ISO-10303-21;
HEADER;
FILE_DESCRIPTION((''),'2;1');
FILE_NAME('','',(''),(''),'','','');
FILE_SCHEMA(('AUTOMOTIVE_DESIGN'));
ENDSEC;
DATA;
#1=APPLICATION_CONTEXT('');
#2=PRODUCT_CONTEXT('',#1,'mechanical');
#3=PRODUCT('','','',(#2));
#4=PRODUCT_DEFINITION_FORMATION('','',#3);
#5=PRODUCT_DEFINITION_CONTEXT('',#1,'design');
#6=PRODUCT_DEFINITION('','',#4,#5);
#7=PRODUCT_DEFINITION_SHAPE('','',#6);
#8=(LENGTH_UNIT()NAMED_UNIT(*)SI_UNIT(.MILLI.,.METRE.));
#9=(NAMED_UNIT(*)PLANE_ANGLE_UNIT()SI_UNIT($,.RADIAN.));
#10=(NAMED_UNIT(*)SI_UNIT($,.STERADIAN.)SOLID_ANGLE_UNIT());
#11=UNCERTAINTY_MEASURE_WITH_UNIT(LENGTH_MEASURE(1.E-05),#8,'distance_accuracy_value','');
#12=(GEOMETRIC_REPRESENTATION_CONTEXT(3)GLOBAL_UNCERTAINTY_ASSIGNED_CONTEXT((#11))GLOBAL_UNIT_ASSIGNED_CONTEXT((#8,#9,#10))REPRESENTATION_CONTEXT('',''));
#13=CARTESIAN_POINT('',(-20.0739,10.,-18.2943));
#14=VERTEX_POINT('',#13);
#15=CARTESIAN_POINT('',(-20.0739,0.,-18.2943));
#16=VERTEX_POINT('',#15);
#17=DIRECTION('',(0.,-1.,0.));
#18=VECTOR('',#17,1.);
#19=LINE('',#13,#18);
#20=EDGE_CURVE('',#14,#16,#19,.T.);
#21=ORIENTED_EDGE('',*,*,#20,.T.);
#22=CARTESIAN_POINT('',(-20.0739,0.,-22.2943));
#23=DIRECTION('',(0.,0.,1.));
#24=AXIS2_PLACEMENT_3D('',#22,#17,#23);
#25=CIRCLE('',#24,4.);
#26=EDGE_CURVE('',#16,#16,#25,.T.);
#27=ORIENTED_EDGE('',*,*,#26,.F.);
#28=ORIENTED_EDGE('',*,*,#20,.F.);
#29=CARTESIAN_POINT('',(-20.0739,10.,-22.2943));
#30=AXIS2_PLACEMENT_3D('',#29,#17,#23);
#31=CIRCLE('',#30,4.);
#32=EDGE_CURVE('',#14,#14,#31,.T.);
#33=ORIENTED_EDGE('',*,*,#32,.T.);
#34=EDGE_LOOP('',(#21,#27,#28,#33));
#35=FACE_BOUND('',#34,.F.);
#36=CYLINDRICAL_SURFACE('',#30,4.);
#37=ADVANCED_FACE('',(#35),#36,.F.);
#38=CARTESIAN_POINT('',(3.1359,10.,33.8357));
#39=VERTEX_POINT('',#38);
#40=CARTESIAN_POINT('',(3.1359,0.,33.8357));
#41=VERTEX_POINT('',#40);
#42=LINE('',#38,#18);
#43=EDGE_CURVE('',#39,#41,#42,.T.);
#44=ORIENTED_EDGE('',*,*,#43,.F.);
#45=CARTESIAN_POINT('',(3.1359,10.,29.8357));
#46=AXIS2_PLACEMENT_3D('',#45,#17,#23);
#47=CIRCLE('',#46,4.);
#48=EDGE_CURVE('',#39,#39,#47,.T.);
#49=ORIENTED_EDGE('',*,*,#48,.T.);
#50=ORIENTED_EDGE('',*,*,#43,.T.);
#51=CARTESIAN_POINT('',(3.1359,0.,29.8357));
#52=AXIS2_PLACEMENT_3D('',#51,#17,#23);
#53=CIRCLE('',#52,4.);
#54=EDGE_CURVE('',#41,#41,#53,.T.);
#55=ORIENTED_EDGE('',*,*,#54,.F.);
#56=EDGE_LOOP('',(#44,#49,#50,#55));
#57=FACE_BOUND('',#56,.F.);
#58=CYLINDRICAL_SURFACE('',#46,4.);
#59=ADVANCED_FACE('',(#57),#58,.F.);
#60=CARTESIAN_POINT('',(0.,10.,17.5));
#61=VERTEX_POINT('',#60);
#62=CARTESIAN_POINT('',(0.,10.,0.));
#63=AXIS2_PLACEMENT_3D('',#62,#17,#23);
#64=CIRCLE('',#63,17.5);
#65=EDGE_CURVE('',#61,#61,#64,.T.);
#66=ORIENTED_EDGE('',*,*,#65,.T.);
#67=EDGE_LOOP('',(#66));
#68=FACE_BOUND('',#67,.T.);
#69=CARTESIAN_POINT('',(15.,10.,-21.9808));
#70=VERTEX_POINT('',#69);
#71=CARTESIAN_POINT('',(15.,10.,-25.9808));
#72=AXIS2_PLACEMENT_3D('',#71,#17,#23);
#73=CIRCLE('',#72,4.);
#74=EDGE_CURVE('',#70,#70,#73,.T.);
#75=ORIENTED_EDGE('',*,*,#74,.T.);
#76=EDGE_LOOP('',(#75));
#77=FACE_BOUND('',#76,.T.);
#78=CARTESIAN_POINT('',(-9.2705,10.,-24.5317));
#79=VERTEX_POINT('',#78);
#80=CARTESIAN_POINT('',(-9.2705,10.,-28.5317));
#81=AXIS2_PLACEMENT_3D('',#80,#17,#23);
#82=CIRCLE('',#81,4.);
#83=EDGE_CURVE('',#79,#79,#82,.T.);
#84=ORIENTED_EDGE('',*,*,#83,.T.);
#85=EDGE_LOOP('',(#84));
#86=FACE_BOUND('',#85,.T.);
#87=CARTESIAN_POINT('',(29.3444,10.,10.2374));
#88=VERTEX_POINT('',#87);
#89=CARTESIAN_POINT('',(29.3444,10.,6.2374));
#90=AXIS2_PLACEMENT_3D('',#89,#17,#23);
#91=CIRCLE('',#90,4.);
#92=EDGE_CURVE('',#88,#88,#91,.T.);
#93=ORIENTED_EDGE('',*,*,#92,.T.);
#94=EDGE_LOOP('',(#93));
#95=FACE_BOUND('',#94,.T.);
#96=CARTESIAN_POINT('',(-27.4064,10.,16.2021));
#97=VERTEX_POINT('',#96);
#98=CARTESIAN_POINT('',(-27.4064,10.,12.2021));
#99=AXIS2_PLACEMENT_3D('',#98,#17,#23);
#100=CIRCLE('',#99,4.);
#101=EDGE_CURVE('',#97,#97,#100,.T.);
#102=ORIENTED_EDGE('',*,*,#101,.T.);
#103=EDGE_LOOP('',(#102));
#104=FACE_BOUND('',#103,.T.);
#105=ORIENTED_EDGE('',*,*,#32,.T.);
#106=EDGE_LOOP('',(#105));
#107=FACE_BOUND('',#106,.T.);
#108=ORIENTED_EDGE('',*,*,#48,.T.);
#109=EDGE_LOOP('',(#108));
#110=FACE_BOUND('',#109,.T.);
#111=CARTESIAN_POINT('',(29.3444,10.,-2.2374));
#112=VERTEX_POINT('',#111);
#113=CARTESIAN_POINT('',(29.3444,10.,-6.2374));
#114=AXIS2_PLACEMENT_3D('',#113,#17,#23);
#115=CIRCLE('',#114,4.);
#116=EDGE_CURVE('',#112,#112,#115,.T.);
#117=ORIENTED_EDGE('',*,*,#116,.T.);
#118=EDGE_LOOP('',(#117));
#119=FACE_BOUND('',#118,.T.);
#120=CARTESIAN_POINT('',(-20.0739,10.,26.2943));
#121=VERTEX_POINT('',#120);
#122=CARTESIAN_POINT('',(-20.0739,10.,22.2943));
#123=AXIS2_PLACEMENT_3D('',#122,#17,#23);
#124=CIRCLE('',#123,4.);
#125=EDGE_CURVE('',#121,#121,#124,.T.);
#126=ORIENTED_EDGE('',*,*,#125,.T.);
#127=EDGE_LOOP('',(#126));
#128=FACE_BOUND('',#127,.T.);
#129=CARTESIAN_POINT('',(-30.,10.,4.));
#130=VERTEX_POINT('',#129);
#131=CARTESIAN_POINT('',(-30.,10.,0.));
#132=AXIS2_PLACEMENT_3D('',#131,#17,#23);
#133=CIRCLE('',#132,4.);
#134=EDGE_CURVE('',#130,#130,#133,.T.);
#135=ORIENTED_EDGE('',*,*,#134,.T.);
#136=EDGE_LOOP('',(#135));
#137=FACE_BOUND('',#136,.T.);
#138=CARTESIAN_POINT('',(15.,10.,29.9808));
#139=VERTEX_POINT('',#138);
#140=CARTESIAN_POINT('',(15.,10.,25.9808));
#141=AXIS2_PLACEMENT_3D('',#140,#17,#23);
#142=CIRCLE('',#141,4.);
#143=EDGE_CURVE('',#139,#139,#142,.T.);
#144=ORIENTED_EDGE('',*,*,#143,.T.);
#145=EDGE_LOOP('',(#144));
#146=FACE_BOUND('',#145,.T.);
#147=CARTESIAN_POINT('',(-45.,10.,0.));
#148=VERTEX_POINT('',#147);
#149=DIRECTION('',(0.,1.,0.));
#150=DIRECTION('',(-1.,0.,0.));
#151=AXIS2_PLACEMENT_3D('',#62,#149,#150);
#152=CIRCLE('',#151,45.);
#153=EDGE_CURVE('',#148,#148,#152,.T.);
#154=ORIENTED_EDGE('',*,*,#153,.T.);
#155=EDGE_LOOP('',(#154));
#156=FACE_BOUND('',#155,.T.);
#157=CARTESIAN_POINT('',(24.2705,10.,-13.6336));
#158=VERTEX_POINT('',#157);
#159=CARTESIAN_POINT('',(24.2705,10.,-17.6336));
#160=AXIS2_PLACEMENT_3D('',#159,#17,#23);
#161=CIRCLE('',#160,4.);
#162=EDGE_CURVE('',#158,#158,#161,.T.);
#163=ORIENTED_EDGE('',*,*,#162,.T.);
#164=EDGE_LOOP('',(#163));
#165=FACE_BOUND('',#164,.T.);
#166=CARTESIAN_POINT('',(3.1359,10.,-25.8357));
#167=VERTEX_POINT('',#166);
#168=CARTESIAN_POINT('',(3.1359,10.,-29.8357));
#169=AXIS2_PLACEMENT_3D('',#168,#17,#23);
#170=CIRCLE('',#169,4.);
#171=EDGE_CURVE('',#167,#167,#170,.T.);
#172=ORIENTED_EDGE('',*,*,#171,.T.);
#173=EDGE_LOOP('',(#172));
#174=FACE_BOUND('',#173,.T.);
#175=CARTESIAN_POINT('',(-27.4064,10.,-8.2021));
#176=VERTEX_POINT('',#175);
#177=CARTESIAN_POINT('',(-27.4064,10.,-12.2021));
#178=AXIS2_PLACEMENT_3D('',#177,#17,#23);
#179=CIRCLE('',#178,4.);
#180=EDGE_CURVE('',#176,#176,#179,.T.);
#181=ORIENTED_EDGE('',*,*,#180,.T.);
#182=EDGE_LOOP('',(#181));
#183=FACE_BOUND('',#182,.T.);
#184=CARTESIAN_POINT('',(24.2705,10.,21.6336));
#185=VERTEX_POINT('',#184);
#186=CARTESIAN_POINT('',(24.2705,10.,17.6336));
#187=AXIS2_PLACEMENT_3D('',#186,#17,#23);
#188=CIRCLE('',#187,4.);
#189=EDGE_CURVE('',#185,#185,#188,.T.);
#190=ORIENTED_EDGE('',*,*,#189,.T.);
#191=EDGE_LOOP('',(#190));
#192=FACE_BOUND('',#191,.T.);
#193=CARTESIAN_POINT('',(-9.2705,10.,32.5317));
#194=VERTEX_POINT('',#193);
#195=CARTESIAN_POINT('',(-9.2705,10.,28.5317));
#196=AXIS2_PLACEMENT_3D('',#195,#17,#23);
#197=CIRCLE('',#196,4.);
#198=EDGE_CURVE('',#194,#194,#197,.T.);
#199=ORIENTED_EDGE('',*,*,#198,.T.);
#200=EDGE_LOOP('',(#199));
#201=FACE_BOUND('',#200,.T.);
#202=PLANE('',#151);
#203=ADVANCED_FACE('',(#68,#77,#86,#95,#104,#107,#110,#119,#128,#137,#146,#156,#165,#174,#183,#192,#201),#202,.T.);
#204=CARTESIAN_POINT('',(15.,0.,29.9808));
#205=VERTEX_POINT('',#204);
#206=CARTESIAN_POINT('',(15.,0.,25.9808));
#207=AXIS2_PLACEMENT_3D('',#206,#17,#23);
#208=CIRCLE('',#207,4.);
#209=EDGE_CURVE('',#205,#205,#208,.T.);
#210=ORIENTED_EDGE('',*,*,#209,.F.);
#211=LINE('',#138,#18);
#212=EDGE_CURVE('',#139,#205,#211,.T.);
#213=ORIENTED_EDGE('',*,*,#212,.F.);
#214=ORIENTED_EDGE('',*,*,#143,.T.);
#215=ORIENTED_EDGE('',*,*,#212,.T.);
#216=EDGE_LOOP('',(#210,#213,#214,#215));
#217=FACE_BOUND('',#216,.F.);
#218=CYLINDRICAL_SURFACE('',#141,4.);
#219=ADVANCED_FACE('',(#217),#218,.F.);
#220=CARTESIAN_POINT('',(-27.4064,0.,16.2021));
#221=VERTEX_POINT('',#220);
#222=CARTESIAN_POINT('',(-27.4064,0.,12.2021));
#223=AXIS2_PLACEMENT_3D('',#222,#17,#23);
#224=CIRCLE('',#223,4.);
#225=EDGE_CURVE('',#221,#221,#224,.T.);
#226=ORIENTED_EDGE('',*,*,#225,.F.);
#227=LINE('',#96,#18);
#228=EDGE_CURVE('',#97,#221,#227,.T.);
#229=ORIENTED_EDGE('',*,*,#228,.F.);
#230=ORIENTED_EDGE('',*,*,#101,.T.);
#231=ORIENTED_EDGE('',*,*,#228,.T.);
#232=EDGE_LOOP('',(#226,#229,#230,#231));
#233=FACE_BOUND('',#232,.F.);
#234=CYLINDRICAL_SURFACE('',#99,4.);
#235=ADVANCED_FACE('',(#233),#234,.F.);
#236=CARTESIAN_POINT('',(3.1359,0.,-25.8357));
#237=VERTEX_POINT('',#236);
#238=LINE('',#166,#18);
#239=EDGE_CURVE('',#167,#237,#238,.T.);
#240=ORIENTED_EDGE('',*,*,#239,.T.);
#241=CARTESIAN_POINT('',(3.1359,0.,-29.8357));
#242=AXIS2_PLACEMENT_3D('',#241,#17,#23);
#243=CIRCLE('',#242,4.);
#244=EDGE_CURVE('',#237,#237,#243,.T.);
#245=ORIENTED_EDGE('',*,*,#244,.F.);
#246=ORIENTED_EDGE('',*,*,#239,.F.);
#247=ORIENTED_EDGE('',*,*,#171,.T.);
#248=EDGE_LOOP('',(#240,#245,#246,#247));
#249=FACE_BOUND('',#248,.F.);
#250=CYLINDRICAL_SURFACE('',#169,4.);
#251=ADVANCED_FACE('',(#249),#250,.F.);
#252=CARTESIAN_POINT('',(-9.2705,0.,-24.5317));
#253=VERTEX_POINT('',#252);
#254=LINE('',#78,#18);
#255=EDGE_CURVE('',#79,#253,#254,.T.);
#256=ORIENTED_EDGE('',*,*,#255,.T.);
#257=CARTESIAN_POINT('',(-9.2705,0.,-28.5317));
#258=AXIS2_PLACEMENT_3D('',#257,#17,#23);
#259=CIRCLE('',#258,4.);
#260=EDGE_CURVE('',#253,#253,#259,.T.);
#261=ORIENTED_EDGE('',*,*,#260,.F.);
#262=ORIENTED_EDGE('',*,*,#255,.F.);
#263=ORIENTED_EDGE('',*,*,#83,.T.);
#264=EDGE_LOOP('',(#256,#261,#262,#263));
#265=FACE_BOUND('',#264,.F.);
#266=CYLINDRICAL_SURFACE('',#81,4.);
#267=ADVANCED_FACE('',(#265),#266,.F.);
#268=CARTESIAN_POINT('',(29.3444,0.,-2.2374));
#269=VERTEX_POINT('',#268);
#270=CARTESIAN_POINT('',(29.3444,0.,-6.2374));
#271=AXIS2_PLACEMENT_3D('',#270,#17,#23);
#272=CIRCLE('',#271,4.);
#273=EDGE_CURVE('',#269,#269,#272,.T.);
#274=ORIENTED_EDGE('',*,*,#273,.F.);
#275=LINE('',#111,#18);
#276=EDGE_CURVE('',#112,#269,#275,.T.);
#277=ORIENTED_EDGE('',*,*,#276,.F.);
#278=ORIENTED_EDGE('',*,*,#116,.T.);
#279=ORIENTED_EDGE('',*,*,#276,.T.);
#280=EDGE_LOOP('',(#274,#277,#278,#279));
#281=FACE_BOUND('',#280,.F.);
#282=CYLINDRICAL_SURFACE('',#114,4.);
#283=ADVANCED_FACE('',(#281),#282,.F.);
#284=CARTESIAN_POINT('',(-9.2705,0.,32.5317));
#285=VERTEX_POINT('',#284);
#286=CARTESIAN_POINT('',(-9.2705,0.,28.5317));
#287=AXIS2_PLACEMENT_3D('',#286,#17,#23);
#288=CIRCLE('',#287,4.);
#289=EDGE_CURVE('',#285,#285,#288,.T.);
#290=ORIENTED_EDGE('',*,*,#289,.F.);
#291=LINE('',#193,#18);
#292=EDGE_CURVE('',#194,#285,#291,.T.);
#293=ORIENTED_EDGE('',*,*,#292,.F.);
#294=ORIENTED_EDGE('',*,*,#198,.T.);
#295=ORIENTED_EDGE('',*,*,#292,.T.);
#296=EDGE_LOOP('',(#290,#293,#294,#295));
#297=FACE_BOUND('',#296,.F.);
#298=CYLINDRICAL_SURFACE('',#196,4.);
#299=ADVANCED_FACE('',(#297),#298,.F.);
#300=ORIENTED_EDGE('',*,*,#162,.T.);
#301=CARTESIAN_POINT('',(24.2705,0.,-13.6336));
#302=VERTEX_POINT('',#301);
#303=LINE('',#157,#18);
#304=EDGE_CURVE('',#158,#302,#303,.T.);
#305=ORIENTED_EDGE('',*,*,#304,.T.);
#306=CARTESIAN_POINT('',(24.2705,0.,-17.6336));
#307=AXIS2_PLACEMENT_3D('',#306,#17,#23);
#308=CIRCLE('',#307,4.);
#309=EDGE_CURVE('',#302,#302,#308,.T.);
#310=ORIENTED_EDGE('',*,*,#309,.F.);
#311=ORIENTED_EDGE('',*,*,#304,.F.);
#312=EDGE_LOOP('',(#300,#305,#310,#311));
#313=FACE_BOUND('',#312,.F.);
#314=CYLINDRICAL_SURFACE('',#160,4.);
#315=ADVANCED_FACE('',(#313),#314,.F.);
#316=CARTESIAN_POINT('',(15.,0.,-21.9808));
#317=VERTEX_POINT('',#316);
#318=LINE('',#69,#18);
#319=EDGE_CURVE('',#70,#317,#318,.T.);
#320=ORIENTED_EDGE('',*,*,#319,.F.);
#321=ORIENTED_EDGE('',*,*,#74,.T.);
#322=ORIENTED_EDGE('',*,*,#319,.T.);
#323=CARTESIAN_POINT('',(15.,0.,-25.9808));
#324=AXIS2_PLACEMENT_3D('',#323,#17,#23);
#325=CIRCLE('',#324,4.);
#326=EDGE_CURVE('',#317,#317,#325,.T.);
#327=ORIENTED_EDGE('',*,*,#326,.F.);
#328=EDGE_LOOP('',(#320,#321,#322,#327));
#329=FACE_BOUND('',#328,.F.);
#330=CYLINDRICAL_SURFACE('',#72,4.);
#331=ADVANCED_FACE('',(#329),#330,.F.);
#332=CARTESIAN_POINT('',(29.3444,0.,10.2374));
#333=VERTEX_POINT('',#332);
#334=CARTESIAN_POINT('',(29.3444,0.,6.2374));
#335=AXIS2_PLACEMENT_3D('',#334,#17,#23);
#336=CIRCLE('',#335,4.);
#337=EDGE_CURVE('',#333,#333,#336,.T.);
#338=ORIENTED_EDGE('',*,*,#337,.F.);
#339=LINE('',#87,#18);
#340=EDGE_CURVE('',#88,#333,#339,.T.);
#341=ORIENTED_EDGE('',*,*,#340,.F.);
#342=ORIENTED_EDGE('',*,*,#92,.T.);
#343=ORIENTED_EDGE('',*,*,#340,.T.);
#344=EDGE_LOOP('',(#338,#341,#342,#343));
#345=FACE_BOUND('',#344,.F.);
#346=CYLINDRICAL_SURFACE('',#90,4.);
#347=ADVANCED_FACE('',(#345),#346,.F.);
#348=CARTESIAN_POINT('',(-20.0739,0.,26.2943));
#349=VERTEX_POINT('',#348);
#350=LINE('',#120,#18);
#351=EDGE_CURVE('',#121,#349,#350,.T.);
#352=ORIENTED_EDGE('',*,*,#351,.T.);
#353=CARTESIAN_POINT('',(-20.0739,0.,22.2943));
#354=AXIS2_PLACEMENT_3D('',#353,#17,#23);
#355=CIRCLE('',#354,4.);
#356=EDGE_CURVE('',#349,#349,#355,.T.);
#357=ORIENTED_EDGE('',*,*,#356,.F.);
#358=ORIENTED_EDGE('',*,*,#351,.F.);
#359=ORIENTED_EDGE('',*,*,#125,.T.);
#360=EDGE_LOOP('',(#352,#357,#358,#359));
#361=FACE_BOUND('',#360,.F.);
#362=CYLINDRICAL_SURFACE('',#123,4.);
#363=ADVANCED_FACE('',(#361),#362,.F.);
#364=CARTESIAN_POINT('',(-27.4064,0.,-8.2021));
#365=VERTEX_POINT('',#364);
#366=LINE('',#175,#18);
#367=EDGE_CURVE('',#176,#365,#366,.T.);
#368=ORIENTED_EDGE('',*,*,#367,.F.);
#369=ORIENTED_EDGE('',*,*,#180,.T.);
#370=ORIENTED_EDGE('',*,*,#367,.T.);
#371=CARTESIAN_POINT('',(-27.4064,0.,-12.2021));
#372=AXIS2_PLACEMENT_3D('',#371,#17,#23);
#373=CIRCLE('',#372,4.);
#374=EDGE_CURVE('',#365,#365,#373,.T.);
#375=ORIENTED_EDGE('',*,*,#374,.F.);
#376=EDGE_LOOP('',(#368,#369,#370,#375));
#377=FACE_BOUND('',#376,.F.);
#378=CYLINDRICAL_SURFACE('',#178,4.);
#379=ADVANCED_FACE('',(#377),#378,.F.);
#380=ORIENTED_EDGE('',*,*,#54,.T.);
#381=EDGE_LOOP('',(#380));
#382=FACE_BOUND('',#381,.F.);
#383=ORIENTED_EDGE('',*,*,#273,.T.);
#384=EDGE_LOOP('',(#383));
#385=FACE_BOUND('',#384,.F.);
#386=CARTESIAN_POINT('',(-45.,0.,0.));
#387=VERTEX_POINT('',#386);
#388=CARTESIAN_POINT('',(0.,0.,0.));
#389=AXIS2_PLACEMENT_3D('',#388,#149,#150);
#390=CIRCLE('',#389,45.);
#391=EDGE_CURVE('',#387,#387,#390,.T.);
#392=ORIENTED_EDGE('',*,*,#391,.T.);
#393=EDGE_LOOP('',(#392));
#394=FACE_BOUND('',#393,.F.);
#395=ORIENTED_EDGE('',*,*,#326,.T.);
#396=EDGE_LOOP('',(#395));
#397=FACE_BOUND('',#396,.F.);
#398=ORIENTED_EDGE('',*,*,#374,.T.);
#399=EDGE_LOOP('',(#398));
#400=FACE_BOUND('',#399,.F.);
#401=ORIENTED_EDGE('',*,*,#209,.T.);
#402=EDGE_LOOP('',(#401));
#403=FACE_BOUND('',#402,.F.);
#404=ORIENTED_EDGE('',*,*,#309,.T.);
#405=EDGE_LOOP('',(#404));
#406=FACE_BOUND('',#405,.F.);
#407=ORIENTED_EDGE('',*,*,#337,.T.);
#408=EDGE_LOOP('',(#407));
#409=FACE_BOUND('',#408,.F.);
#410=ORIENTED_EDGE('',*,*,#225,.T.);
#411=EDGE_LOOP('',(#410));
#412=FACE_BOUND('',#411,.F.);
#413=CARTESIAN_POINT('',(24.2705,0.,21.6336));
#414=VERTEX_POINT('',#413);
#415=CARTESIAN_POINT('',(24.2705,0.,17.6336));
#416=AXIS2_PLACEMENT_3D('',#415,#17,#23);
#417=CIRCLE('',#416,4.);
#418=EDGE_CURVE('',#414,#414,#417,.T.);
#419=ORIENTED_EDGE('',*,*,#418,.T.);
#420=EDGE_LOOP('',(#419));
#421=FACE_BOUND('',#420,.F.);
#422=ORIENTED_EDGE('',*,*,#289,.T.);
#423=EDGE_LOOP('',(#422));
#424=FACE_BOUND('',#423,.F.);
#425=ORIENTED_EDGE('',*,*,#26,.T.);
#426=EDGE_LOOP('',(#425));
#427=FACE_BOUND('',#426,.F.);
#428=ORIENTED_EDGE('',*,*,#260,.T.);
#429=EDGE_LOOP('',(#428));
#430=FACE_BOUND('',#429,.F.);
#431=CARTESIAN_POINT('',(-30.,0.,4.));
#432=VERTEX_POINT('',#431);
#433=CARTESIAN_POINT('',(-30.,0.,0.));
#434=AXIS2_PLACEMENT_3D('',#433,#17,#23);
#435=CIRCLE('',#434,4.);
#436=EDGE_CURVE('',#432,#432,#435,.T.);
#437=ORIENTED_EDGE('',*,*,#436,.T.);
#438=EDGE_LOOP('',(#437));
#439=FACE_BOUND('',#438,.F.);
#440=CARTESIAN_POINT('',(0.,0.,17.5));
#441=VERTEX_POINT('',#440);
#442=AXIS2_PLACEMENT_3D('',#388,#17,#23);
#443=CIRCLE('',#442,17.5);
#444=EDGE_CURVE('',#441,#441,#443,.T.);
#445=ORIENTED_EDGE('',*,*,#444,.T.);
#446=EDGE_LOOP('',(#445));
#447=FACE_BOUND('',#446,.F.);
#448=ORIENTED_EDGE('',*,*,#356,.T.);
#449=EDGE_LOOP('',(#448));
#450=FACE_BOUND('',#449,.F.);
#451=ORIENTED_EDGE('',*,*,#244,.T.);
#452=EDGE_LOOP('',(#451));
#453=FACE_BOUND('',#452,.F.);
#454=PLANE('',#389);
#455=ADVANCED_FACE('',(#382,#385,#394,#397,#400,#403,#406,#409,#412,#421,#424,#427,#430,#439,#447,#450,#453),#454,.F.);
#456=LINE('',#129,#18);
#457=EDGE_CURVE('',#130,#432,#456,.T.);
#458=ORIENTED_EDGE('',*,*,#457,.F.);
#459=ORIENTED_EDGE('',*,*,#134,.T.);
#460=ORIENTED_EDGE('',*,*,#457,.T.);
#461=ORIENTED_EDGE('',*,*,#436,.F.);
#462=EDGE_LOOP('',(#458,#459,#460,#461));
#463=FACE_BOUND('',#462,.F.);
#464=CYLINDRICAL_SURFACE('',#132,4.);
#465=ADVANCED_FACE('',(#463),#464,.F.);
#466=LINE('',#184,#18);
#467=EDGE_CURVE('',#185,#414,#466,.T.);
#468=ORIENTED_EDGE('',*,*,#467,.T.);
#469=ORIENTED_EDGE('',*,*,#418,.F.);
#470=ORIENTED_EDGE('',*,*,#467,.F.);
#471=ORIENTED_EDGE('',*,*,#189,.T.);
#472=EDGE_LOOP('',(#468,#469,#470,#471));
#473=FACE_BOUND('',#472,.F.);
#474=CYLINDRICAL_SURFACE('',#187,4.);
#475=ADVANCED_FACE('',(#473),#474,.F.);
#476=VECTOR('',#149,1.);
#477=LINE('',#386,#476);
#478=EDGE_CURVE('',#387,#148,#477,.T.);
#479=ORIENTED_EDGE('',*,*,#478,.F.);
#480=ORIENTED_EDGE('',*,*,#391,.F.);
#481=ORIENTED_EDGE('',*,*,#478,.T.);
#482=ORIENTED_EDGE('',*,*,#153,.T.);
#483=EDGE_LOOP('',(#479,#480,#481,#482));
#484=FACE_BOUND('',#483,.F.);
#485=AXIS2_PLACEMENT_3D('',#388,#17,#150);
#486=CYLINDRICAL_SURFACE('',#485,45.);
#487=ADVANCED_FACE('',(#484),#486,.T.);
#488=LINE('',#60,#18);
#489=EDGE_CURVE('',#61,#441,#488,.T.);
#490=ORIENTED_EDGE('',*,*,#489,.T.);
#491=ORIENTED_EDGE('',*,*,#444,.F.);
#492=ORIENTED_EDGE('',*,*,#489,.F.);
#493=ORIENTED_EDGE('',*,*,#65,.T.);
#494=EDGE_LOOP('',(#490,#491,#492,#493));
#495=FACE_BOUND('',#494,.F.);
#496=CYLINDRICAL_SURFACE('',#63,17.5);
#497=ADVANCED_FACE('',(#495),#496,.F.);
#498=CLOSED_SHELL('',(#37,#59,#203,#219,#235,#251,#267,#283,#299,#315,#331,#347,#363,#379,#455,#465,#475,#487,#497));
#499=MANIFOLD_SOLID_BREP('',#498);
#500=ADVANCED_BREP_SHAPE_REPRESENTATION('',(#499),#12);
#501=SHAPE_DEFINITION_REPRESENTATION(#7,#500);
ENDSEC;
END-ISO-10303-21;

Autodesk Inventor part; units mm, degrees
ref_plane "YZ Plane" through (0, 0, 0) normal (1, 0, 0) x (0, 1, 0)
ref_plane "XZ Plane" through (0, 0, 0) normal (0, 1, 0) x (-1, 0, 0)
ref_plane "XY Plane" through (0, 0, 0) normal (0, 0, 1) x (1, 0, 0)
sketch "Sketch1" plane through (0, 0, 0) normal (0, 1, 0) x (-1, 0, 0)
  circle A0 centre (0, 0) radius 45
  dimension "d1" = 90
extrude "Extrusion1" add sketch "Sketch1" along normal blind 10
sketch "Sketch2" plane through (0, 10, 0) normal (0, 1, 0) x (1, 0, 0)
  circle A0 centre (0, 0) radius 16
  dimension "d4" = 32
hole "Hole1" at (0, 10, 0) direction (0, -1, 0) diameter 35 end through all
sketch "Sketch4" plane through (0, 10, 0) normal (0, 1, 0) x (1, 0, 0)
  point P0 (0, 0)
sketch "Sketch5" plane through (0, 10, 0) normal (0, 1, 0) x (1, 0, 0)
  circle A0 centre (-30, 0) radius 4
  circle A1 centre (-27.4064, -12.2021) radius 4
  circle A2 centre (-20.0739, -22.2943) radius 4
  circle A3 centre (-9.2705, -28.5317) radius 4
  circle A4 centre (3.1359, -29.8357) radius 4
  circle A5 centre (15, -25.9808) radius 4
  circle A6 centre (24.2705, -17.6336) radius 4
  circle A7 centre (29.3444, -6.2374) radius 4
  circle A8 centre (29.3444, 6.2374) radius 4
  circle A9 centre (24.2705, 17.6336) radius 4
  circle A10 centre (15, 25.9808) radius 4
  circle A11 centre (3.1359, 29.8357) radius 4
  circle A12 centre (-9.2705, 28.5317) radius 4
  circle A13 centre (-20.0739, 22.2943) radius 4
  circle A14 centre (-27.4064, 12.2021) radius 4
  point P0 (0, 0)
  dimension "d29" = 8
  dimension "d30" = 30
  dimension "d33" = 360
hole "Hole3" at (-27.4064, 10, 12.2021) at (-30, 10, 0) at (-27.4064, 10, -12.2021) at (-20.0739, 10, -22.2943) at (-9.2705, 10, -28.5317) at (3.1359, 10, -29.8357) at (15, 10, -25.9808) at (24.2705, 10, -17.6336) at (29.3444, 10, -6.2374) at (29.3444, 10, 6.2374) at (24.2705, 10, 17.6336) at (15, 10, 25.9808) at (3.1359, 10, 29.8357) at (-9.2705, 10, 28.5317) at (-20.0739, 10, 22.2943) direction (0, -1, 0) diameter 8 end through all
sketch "Sketch7" plane through (0, 10, 0) normal (0, 1, 0) x (1, 0, 0)
  point P0 (0, 0)
properties part number "Orifice Plate" material "Stainless Steel"
